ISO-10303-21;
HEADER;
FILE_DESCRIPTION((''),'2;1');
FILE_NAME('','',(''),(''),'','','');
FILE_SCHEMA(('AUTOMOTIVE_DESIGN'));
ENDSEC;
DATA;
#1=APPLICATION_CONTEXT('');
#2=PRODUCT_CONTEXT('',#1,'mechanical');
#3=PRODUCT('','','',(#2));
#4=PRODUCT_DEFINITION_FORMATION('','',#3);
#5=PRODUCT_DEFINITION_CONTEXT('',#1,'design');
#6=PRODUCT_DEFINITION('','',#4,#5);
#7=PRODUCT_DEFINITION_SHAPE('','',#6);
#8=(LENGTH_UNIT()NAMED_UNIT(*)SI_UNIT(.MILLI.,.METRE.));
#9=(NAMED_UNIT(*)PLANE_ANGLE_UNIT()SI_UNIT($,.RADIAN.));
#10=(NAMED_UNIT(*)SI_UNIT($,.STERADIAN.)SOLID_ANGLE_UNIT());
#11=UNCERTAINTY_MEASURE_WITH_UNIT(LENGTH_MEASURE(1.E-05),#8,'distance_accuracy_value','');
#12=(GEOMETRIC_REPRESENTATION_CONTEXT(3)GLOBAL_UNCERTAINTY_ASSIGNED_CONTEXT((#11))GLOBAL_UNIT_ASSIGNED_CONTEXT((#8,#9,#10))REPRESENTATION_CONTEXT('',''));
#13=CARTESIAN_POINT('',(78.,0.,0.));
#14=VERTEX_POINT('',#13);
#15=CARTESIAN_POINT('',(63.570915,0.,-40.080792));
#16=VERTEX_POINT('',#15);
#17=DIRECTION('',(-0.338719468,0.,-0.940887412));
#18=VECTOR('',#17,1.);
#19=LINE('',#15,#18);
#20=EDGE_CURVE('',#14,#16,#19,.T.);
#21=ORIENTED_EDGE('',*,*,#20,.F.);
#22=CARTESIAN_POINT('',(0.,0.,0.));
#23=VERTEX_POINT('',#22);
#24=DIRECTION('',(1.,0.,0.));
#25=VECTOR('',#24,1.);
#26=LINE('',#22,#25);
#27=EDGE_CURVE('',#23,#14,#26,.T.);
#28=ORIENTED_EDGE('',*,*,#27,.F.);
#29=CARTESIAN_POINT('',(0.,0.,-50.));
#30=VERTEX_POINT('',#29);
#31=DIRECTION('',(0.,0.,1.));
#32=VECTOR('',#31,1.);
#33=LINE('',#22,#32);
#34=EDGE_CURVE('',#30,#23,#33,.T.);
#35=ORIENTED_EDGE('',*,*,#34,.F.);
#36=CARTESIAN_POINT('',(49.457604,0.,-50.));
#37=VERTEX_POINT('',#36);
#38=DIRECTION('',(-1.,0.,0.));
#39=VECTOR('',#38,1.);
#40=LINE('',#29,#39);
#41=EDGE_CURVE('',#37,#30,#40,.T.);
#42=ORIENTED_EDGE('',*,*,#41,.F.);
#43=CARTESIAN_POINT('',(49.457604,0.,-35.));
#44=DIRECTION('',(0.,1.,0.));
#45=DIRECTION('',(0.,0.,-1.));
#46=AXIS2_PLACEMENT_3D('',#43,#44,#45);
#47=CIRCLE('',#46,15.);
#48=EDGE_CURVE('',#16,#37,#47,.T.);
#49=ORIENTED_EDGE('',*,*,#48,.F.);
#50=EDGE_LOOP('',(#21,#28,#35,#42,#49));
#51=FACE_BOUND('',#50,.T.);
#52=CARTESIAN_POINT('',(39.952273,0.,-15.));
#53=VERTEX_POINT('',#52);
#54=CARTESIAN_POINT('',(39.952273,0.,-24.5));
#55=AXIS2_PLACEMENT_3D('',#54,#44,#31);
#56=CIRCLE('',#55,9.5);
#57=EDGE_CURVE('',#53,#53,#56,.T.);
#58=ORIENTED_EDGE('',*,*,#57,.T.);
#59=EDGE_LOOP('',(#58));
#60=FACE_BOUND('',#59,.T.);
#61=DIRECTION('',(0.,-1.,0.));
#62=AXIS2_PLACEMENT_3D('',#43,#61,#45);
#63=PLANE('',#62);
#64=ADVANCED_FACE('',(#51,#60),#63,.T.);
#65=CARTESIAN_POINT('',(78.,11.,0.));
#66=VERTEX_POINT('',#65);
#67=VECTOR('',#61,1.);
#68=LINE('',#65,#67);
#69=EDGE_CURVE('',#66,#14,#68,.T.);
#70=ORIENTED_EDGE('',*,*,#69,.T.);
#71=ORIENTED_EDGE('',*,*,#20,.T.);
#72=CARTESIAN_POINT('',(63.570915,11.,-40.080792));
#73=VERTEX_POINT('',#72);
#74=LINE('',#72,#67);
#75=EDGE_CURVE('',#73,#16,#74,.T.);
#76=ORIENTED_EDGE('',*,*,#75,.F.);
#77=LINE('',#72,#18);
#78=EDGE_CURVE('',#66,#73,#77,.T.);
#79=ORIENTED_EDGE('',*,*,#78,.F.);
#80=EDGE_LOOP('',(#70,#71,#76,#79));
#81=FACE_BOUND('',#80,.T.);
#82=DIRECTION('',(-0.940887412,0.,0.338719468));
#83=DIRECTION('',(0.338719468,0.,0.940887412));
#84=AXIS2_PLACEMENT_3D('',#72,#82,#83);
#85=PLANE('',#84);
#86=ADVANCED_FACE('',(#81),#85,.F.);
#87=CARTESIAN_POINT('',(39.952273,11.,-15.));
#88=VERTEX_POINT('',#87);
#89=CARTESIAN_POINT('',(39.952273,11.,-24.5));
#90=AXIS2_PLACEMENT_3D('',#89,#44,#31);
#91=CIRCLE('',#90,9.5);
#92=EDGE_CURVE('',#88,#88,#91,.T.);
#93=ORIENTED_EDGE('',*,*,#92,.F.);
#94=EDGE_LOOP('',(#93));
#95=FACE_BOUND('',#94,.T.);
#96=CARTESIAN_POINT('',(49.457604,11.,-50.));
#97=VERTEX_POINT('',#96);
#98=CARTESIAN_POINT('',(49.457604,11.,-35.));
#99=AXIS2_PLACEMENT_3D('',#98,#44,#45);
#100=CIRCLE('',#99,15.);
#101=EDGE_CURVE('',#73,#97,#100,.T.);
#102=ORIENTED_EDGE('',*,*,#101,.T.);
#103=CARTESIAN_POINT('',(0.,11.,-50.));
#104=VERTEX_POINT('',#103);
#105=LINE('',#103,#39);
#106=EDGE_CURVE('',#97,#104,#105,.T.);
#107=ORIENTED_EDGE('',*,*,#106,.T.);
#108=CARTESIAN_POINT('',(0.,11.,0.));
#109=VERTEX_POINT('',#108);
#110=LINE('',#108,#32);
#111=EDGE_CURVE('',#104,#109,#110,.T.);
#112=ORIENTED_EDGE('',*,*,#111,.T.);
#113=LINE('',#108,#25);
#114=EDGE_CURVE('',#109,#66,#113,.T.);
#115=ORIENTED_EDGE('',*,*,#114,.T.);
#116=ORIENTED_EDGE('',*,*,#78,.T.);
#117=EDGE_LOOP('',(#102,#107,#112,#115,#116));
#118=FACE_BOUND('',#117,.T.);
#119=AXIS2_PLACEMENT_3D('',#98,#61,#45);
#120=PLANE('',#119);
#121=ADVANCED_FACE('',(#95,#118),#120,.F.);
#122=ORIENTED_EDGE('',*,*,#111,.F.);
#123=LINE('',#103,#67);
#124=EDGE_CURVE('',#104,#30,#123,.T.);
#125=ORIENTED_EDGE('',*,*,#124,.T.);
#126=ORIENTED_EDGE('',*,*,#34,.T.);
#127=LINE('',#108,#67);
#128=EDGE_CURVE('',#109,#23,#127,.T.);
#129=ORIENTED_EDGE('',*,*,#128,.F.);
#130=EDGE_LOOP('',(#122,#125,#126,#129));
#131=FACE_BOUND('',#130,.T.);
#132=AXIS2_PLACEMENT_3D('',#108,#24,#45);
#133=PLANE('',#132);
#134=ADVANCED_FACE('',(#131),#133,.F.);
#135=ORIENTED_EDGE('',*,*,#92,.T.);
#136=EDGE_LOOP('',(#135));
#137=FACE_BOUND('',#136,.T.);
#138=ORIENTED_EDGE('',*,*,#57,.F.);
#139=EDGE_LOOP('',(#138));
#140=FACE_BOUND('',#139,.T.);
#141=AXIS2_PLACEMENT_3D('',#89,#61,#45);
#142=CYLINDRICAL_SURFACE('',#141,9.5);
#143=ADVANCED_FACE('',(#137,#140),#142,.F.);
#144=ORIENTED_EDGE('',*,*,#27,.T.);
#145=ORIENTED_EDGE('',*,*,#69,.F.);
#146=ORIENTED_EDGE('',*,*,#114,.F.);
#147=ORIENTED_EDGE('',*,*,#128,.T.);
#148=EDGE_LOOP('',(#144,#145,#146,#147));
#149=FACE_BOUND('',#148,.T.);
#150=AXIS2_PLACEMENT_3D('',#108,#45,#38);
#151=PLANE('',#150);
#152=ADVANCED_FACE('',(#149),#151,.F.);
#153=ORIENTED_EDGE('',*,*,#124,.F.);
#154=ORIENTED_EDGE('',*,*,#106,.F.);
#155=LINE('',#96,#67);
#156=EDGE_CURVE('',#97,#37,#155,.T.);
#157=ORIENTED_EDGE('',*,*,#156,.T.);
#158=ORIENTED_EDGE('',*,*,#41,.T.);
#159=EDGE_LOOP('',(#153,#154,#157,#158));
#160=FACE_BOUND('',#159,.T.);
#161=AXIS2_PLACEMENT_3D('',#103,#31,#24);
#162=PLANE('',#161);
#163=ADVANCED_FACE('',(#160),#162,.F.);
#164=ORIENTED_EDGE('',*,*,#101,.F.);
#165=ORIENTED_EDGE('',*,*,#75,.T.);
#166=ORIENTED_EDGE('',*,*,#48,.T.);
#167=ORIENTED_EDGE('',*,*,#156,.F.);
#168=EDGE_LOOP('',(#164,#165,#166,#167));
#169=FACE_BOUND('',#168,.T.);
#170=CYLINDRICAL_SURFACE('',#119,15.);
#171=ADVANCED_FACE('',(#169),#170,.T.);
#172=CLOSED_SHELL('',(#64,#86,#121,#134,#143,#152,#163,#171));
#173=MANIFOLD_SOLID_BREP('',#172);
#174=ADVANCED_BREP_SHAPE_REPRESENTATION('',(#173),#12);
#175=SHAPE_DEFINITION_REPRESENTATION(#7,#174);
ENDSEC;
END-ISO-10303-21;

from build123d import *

# Parameters (mm, degrees)
SKETCH1_R           = 9.5
BOSS_EXTRUDE1_DEPTH = 11


with BuildPart() as part:
    # Sketch1 → Boss-Extrude1 (new body)
    with BuildSketch(Plane(origin=(0, 0, 0), x_dir=(1, 0, 0), z_dir=(0, 1, 0))):
        with BuildLine():
            Line((0, 0), (78, 0))
            Line((78, 0), (63.570914871, 40.080792024))
            ThreePointArc((63.570914871, 40.080792024), (58.082802811, 47.272161186), (49.457603693, 50))
            Line((49.457603693, 50), (0, 50))
            Line((0, 50), (0, 0))
        make_face()
        with Locations(Location((39.952273438, 24.5, 0), (0, 0, 270))):
            Circle(SKETCH1_R, mode=Mode.SUBTRACT)
    extrude(amount=BOSS_EXTRUDE1_DEPTH)


solid = part.part
